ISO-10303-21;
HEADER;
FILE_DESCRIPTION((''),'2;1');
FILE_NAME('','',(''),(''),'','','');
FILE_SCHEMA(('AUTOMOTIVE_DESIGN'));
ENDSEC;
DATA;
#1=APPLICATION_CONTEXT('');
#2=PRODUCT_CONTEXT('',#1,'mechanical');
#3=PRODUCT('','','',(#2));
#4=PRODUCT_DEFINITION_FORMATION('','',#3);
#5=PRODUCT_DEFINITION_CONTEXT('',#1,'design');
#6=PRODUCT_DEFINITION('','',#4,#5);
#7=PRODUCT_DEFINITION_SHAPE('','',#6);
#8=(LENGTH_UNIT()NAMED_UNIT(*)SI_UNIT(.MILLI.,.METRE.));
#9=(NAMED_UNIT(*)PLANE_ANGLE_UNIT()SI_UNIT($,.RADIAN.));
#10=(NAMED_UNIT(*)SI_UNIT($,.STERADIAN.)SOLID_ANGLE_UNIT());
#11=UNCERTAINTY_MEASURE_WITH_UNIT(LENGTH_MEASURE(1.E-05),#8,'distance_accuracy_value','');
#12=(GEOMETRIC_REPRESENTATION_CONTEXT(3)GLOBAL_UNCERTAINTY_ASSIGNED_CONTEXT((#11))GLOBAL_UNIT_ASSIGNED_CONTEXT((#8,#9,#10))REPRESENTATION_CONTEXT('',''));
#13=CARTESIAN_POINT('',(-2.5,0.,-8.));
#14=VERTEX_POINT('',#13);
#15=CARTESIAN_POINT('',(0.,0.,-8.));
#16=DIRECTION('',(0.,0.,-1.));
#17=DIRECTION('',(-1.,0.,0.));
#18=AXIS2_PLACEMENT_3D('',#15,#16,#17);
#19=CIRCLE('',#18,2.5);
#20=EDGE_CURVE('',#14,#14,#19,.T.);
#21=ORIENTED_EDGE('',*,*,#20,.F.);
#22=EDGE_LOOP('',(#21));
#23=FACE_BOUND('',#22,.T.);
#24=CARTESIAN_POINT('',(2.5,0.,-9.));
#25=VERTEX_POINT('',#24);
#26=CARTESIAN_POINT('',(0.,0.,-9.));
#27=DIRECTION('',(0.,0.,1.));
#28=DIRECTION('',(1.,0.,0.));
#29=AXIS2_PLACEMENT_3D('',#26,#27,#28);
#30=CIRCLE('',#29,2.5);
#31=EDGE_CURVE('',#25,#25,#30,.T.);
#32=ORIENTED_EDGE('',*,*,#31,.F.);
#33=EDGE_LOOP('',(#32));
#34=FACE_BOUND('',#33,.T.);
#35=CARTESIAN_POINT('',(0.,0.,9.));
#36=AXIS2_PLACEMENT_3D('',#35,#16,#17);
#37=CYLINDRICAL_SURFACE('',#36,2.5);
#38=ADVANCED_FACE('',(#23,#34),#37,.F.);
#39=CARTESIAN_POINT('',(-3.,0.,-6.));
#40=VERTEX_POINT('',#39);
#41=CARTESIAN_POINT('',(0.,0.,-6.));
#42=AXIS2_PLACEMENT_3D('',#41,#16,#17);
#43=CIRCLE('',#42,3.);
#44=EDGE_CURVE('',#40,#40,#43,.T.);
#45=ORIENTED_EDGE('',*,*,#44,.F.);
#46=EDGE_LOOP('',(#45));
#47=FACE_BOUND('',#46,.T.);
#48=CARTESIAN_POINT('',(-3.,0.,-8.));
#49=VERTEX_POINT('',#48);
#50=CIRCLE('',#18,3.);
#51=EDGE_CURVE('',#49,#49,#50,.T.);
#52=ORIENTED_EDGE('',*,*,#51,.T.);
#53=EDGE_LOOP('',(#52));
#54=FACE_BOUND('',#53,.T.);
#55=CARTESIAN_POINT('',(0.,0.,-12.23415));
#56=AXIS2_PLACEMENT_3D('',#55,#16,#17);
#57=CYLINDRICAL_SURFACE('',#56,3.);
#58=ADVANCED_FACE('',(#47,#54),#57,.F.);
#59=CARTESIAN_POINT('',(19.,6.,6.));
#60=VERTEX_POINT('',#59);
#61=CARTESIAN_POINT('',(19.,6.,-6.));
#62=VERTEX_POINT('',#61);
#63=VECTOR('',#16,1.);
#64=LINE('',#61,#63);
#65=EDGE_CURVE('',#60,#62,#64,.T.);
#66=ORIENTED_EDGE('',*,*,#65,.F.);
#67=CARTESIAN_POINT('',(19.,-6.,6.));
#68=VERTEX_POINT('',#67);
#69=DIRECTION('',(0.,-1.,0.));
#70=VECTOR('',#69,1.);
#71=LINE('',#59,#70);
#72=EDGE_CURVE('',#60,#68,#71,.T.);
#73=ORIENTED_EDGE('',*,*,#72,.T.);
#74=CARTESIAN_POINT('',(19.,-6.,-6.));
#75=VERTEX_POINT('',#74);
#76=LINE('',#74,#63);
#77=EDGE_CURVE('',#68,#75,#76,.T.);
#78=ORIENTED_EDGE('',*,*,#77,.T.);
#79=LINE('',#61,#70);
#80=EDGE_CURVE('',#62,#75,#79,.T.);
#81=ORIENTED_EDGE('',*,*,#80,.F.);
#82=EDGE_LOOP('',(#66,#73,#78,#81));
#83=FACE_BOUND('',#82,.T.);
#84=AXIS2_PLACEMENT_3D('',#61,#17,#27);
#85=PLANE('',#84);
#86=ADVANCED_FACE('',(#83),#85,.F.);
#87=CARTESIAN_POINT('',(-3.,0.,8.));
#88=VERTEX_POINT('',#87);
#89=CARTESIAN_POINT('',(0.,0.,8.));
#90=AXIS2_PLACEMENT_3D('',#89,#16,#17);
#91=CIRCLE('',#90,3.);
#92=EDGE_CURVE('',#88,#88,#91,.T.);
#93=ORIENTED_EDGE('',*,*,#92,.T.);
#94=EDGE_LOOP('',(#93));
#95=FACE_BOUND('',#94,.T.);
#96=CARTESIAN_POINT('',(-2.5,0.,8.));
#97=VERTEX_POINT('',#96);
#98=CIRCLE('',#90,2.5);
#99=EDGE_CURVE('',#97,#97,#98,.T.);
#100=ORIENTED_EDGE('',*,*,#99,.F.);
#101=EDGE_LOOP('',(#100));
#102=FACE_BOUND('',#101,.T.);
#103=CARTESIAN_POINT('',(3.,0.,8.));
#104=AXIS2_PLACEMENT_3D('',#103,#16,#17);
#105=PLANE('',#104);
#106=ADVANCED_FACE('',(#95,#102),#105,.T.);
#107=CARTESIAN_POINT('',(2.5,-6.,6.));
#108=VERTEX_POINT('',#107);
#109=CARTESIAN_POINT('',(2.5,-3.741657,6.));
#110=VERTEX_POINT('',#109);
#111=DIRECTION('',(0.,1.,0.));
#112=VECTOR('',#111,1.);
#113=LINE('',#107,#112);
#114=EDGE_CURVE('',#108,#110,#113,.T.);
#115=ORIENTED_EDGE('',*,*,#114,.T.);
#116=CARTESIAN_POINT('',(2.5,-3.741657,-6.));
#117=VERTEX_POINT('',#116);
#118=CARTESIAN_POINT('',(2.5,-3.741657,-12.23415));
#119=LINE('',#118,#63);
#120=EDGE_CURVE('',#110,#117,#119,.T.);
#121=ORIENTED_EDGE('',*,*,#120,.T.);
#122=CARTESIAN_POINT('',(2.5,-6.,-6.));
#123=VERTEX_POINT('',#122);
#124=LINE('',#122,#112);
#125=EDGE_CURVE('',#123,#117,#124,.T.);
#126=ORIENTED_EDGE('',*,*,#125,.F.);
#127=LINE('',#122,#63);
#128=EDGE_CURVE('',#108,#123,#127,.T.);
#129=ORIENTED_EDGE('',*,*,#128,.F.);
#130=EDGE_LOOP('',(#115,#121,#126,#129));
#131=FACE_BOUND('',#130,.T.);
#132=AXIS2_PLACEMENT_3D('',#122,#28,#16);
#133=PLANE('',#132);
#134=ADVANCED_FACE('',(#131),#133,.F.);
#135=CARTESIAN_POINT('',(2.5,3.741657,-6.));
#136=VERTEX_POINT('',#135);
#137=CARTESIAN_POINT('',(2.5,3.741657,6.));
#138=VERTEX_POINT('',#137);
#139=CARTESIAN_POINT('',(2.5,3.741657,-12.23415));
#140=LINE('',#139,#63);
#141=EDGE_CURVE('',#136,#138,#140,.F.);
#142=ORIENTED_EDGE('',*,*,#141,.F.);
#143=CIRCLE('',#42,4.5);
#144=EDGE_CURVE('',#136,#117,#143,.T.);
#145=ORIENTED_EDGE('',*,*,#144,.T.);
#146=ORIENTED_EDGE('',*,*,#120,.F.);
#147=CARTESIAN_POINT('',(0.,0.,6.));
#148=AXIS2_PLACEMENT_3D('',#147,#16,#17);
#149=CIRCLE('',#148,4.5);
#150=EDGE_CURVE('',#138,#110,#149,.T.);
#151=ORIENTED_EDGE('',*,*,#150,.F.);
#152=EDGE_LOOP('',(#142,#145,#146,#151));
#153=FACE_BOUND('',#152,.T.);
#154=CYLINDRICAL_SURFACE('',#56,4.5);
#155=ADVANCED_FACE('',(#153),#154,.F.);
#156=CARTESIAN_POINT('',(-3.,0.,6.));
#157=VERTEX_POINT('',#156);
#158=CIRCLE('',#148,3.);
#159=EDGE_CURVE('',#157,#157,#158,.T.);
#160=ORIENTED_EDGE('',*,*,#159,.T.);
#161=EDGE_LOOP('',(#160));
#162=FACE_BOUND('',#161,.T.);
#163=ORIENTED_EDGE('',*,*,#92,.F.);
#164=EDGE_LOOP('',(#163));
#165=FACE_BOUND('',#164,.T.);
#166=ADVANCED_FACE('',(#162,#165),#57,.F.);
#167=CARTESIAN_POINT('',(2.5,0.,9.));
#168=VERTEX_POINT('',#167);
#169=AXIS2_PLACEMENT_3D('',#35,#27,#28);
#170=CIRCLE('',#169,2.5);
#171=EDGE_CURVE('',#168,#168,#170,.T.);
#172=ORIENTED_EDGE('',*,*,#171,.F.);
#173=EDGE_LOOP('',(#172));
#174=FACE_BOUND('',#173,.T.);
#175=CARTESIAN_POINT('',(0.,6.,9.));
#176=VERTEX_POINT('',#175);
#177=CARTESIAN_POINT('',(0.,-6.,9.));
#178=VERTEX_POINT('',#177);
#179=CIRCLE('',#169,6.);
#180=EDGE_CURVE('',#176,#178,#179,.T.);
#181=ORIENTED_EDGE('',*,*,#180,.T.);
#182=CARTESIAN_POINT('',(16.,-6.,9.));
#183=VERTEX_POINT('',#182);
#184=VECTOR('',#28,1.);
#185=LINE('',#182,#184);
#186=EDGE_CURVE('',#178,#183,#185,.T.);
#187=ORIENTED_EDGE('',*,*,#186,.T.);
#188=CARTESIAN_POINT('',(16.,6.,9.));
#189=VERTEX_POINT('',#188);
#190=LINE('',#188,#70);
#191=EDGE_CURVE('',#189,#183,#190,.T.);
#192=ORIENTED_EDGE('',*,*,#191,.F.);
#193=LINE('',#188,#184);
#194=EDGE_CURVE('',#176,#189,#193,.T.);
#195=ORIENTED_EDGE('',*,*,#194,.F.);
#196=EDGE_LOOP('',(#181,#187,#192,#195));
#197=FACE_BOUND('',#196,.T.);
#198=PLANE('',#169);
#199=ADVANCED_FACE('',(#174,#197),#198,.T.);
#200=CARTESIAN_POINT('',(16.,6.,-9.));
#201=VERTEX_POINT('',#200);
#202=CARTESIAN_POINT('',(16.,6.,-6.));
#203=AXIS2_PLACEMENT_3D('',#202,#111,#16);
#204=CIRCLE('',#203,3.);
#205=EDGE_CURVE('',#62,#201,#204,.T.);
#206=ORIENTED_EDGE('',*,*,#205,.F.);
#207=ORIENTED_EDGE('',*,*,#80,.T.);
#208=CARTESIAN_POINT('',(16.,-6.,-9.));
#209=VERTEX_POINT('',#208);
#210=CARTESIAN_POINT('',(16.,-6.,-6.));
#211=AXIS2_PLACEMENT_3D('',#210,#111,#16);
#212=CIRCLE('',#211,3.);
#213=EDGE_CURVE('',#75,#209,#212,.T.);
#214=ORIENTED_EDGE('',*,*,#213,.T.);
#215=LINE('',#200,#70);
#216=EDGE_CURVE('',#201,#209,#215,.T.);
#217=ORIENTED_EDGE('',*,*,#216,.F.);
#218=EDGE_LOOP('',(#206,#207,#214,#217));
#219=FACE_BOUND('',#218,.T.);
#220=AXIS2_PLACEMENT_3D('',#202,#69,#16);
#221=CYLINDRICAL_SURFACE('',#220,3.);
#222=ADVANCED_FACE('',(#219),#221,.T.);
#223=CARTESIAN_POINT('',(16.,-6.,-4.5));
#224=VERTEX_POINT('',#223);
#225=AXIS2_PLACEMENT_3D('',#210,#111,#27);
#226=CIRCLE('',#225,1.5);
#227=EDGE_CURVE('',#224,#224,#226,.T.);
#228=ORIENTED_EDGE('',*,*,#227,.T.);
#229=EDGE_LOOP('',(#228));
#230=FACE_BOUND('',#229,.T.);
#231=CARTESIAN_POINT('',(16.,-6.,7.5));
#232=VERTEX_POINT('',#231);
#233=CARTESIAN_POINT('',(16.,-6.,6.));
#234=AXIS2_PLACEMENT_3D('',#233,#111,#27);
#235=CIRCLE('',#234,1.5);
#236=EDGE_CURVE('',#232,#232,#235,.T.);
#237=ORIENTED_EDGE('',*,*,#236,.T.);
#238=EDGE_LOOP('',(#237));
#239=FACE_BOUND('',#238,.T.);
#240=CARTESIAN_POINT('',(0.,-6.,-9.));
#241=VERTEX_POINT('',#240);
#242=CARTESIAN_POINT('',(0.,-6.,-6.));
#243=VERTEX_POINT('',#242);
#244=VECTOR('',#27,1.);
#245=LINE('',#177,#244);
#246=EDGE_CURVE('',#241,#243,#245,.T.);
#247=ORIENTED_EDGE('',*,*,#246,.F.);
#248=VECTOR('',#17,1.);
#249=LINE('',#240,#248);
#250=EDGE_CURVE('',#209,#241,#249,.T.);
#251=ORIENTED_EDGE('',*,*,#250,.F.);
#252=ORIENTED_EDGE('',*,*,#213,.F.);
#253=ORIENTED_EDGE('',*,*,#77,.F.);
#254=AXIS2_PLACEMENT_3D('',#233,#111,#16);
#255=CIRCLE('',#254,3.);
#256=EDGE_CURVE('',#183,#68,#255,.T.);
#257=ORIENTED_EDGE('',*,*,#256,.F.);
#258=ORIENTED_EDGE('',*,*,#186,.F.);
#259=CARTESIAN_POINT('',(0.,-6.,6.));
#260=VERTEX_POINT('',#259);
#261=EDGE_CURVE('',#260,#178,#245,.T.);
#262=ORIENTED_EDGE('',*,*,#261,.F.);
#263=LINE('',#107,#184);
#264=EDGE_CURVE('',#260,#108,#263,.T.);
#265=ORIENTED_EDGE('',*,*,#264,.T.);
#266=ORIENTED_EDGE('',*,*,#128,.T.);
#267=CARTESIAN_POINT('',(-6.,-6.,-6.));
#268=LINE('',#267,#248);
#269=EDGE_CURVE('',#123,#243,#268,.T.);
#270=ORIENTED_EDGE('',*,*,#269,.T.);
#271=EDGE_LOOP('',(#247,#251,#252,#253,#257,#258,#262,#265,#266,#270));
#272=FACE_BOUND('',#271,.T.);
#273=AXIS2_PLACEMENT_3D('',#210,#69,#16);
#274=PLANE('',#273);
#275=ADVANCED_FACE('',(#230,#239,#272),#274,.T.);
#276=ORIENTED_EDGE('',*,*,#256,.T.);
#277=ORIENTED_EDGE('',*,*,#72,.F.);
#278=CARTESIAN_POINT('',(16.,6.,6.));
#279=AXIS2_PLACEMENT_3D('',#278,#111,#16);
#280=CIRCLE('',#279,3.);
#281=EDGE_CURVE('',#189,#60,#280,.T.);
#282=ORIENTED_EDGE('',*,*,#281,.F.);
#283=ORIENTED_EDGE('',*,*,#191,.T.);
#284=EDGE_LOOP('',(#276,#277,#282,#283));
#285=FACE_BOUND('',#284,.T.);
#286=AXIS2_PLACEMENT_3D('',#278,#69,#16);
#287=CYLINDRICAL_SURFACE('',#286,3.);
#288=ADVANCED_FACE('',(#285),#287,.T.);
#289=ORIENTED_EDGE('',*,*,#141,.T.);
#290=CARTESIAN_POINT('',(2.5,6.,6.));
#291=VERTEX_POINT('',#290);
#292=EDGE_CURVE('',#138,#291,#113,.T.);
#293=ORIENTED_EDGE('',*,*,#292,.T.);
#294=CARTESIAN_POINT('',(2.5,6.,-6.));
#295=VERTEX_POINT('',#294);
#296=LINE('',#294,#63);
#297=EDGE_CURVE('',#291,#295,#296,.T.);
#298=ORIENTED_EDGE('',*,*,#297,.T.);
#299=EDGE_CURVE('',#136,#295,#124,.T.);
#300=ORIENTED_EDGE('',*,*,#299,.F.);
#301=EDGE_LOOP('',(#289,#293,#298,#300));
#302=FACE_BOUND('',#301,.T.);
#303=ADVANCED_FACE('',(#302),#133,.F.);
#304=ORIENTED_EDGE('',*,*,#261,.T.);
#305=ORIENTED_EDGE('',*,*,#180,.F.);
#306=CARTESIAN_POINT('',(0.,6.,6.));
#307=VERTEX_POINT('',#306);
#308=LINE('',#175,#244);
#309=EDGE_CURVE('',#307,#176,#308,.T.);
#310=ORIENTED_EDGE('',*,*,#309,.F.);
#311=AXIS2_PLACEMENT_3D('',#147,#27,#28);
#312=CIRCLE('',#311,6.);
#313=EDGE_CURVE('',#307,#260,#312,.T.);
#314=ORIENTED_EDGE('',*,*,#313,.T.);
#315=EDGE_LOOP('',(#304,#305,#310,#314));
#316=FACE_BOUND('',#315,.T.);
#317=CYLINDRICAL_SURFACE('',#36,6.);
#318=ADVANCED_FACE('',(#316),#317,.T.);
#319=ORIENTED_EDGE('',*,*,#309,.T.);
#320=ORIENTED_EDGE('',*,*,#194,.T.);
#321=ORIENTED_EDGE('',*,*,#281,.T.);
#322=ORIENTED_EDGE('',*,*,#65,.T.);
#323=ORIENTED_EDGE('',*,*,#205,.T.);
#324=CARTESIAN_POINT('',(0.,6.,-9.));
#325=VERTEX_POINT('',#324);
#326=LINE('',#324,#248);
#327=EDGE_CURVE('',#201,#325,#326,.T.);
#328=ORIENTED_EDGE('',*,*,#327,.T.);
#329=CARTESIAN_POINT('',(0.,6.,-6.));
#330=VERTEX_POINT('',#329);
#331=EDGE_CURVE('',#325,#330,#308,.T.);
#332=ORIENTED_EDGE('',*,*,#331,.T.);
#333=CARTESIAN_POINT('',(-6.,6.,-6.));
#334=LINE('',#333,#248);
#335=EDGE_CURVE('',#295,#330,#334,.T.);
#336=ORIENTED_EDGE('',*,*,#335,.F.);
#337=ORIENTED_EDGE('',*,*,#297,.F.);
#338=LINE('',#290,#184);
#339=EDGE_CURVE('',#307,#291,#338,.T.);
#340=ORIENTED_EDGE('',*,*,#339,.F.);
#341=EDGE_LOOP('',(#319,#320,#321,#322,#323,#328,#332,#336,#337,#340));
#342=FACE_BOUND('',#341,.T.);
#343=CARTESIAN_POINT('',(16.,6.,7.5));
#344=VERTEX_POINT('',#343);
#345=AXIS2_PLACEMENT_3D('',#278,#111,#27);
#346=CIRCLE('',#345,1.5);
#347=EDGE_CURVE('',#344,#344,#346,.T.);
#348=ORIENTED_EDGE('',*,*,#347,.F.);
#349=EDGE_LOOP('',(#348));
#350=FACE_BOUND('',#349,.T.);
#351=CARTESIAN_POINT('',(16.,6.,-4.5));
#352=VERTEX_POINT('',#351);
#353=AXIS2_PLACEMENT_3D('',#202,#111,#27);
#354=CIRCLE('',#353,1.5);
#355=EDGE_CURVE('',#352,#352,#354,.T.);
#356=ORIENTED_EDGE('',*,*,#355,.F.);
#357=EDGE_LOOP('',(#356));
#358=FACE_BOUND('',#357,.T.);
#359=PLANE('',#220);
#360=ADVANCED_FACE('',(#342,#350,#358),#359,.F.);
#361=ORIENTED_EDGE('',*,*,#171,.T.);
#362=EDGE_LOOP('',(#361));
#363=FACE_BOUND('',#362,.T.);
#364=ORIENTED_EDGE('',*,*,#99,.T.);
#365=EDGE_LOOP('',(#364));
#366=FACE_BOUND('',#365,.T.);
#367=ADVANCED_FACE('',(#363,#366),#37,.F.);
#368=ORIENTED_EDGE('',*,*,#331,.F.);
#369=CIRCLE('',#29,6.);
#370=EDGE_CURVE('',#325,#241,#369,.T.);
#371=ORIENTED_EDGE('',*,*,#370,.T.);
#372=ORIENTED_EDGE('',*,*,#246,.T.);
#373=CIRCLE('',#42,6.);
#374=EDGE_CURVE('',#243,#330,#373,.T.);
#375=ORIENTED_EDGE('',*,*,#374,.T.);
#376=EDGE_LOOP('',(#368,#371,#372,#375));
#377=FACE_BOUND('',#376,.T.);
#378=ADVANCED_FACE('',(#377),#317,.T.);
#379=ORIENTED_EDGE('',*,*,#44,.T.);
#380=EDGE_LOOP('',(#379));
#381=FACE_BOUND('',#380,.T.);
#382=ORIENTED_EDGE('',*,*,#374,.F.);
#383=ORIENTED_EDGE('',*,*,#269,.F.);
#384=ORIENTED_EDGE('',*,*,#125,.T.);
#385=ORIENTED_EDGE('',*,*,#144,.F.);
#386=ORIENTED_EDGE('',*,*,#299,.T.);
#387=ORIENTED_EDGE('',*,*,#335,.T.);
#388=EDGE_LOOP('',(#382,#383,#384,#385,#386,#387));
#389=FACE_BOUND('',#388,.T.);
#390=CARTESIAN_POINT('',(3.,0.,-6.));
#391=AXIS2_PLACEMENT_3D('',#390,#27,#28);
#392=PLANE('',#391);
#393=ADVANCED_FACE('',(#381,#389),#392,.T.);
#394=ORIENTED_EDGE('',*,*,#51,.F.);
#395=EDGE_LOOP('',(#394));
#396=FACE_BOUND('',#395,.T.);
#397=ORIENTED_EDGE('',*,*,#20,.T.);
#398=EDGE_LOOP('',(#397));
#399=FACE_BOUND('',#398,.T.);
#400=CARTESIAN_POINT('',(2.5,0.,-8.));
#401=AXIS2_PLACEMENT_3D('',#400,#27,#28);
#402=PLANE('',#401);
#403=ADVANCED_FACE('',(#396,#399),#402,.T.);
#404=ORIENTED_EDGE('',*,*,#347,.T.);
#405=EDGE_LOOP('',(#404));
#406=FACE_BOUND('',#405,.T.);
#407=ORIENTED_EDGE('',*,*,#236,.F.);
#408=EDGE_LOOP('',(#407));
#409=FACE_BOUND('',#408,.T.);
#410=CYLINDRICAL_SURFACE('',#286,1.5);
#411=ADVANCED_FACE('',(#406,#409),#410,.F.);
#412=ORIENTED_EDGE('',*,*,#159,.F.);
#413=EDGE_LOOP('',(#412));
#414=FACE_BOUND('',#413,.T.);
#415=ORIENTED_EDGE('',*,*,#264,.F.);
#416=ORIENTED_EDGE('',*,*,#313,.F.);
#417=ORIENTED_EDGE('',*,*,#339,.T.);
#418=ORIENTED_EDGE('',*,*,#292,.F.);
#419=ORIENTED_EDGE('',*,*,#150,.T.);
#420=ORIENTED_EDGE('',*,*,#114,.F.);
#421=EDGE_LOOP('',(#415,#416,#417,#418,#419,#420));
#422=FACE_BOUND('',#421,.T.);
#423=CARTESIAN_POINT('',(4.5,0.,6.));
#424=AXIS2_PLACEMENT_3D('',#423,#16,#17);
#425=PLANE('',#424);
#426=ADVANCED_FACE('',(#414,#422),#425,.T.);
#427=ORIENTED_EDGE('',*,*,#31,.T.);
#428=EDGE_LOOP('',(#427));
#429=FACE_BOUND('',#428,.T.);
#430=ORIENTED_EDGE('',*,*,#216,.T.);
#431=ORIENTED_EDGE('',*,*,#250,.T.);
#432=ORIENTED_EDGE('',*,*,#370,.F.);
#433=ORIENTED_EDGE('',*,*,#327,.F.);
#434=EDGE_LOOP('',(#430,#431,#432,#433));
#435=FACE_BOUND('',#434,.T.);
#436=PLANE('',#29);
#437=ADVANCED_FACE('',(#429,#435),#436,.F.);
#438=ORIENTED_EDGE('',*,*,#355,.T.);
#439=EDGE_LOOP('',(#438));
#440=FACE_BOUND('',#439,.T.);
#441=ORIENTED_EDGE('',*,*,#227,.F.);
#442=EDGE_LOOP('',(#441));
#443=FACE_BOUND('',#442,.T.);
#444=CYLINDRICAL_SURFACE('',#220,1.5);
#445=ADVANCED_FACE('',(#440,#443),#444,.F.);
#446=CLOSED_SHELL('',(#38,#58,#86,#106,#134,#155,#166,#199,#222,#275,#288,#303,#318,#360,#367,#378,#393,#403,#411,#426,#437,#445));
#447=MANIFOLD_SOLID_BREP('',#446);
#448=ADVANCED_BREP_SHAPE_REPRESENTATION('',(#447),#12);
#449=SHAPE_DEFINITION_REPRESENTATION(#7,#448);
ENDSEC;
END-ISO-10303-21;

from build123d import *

# Parameters (mm, degrees)
SKETCH1_R               = 6
SKETCH1_R_2             = 2.5
BOSS_EXTRUDE1_DEPTH     = 9
SKETCH2_R               = 1.5
BOSS_EXTRUDE2_DEPTH     = 6
CUT_EXTRUDE2_DEPTH      = 22.863211109
CUT_EXTRUDE2_DEPTH_BACK = 22.863211109
SKETCH5_W               = 8.5
SKETCH5_H               = 12


with BuildPart() as part:
    # Sketch1 → Boss-Extrude1 (new, symmetric)
    with BuildSketch(Plane.XY):
        Circle(SKETCH1_R)
        Circle(SKETCH1_R_2, mode=Mode.SUBTRACT)
    extrude(amount=BOSS_EXTRUDE1_DEPTH, both=True)

    # Sketch2 → Boss-Extrude2 (add, symmetric)
    with BuildSketch(Plane(origin=(0, 0, 0), x_dir=(1, 0, 0), z_dir=(0, 1, 0))):
        with BuildLine():
            Line((0, 9), (16, 9))
            ThreePointArc((16, 9), (18.121320344, 8.121320344), (19, 6))
            Line((19, 6), (19, -6))
            ThreePointArc((19, -6), (18.121320344, -8.121320344), (16, -9))
            Line((16, -9), (0, -9))
            Line((0, -9), (0, 9))
        make_face()
        with Locations((16, 6)):
            Circle(SKETCH2_R, mode=Mode.SUBTRACT)
        with Locations((16, -6)):
            Circle(SKETCH2_R, mode=Mode.SUBTRACT)
    extrude(amount=BOSS_EXTRUDE2_DEPTH, both=True)

    # Sketch3 → Cut-Revolve1 (revolve, cut)
    with BuildSketch(Plane(origin=(0, 0, 0), x_dir=(1, 0, 0), z_dir=(0, 1, 0))):
        Polygon((2.5, 8), (2.5, 9), (0, 9), (0, -9), (2.5, -9), (2.5, -8), (3, -8), (3, -6), (4.5, -6), (4.5, 6), (3, 6), (3, 8), align=None)
    revolve(axis=Axis((0, 0, -12.234149704), (0, 0, 1)), mode=Mode.SUBTRACT)

    # Sketch5 → Cut-Extrude2 (cut, two sides: drawn at the far end of the back side and taken through both)
    with BuildSketch(Plane(origin=(0, 0, 0), x_dir=(1, 0, 0), z_dir=(0, 1, 0)).offset(-CUT_EXTRUDE2_DEPTH_BACK)):
        with Locations((-1.75, 0)):
            Rectangle(SKETCH5_W, SKETCH5_H)
    extrude(amount=CUT_EXTRUDE2_DEPTH + CUT_EXTRUDE2_DEPTH_BACK, mode=Mode.SUBTRACT)


solid = part.part
